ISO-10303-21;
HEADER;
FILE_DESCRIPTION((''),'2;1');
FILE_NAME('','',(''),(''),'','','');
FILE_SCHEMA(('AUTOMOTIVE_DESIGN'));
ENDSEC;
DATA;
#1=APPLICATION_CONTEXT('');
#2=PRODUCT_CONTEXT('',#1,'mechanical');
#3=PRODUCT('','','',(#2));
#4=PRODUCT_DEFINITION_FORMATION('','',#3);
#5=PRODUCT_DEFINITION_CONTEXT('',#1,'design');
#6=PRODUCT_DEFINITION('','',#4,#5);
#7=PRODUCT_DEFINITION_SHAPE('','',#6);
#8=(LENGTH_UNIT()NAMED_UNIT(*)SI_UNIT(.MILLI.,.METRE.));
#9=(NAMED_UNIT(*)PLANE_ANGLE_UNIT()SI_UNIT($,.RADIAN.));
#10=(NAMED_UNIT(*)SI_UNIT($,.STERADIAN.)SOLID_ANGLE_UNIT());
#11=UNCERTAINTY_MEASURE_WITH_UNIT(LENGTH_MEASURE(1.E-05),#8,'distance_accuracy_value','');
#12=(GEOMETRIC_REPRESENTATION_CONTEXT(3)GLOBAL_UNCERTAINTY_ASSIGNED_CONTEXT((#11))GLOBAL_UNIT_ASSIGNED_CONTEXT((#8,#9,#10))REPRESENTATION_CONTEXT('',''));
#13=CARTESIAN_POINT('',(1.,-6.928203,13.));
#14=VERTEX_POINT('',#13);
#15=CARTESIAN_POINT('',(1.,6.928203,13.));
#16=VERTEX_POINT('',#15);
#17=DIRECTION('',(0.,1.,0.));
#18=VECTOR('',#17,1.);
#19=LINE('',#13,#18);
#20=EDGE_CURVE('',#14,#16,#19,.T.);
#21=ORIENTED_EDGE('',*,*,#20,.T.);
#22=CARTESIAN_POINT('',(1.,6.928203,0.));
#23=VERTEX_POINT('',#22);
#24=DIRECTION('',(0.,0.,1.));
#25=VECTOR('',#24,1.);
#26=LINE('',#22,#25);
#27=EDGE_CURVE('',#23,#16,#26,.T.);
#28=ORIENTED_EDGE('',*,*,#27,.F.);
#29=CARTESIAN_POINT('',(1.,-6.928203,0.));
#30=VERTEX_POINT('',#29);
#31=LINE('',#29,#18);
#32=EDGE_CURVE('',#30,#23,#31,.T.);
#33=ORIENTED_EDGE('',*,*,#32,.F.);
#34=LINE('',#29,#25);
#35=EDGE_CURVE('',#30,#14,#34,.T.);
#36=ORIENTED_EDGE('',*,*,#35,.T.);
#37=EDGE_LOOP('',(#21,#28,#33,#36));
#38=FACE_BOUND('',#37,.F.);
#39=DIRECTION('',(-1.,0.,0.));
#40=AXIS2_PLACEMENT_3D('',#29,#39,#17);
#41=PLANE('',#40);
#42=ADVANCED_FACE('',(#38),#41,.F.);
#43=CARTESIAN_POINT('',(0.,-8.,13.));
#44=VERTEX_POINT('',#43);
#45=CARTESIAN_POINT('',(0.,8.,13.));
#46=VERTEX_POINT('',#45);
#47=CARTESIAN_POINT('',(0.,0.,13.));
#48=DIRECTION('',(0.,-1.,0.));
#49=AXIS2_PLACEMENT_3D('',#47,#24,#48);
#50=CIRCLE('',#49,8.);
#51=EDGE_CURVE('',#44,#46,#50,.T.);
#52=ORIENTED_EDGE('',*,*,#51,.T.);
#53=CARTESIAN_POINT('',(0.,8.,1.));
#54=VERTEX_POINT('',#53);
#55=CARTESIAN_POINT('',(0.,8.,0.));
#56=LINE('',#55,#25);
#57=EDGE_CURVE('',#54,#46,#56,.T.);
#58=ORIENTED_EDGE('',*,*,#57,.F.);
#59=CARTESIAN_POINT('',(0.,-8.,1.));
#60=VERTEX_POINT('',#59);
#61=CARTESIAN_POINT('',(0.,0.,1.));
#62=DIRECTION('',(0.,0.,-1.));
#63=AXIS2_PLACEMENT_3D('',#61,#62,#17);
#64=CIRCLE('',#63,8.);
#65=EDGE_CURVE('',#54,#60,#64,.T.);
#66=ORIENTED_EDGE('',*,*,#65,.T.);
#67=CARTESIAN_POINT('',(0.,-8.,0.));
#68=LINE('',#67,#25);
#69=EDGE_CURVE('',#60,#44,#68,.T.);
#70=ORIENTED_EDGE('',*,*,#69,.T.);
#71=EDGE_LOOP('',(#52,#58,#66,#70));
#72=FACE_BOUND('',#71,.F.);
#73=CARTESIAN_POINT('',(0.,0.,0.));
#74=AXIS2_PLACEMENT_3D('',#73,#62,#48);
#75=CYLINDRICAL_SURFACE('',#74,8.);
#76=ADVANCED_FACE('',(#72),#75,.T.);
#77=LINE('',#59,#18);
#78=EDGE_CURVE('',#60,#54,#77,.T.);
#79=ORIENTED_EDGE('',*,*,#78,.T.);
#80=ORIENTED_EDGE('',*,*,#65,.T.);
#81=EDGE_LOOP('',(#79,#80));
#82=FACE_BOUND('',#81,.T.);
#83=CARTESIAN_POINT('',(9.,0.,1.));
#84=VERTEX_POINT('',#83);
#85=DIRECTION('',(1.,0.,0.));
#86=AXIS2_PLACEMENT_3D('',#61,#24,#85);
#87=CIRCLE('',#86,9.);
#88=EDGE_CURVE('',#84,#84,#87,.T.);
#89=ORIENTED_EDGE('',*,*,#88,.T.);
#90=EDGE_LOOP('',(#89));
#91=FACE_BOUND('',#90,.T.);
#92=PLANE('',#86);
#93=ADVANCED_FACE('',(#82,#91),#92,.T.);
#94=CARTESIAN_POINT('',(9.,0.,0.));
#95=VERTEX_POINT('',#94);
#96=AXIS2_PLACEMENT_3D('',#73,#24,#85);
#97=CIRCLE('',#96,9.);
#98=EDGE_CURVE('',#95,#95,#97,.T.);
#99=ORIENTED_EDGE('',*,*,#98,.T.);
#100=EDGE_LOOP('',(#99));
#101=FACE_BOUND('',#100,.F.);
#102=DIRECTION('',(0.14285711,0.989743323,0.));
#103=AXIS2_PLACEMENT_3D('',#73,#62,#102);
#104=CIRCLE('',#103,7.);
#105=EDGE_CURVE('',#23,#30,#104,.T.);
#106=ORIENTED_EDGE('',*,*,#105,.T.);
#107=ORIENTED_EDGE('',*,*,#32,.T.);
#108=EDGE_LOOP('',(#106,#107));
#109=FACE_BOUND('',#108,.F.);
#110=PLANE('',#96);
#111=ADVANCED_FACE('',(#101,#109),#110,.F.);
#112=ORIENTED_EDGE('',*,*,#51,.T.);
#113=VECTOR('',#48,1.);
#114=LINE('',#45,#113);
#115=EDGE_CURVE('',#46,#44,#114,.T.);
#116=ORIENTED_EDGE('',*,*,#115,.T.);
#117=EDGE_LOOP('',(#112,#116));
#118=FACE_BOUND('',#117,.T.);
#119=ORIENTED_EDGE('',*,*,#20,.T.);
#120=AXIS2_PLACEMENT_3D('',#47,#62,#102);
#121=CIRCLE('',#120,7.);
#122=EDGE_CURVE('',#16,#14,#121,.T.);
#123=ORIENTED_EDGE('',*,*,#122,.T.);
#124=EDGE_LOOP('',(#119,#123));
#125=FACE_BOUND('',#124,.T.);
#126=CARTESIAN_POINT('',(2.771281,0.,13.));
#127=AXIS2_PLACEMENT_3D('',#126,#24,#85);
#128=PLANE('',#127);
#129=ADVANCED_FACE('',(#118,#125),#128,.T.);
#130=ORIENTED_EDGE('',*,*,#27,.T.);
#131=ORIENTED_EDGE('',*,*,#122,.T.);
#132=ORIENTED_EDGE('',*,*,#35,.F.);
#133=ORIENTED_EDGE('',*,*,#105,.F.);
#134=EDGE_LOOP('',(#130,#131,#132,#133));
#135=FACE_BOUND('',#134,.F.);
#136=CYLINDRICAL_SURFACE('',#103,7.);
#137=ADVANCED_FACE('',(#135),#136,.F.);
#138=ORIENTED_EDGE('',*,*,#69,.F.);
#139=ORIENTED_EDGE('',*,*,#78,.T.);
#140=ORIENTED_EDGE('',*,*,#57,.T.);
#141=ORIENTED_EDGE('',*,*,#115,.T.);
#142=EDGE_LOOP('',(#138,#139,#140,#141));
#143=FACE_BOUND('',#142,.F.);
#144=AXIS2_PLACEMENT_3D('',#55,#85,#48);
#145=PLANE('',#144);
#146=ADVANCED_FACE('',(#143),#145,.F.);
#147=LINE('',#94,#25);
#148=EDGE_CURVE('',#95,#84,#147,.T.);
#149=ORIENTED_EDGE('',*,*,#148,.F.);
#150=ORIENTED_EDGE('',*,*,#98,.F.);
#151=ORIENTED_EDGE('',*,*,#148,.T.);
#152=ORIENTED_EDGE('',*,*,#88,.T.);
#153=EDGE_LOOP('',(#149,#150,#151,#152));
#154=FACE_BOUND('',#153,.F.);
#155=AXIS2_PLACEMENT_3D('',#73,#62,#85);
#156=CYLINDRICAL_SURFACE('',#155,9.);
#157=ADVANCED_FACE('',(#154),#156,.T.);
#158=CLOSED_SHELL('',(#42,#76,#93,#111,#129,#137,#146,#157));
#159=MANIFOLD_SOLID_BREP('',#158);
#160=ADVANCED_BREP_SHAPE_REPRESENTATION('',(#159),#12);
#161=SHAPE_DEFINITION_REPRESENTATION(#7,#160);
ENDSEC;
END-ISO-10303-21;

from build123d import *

# Parameters (mm, degrees)
F1_DEPTH = 13
F0_R     = 9
F2_DEPTH = 1


with BuildPart() as f1:
    # F0 (on Top) → F1 (new body)
    with BuildSketch(Plane.XY):
        with BuildLine():
            Line((0, 8), (0, -8))
            ThreePointArc((0, -8), (8, 0), (0, 8))
        make_face()
        with BuildLine():
            ThreePointArc((1, 6.928203), (7, 0), (1, -6.928203))
            Line((1, -6.928203), (1, 6.928203))
        make_face(mode=Mode.SUBTRACT)
    extrude(amount=F1_DEPTH)

    # F0 (on Top) → F2 (join)
    with BuildSketch(Plane.XY):
        Circle(F0_R)
        with BuildLine():
            ThreePointArc((0, 8), (8, 0), (0, -8))
            Line((0, -8), (0, 8))
        make_face(mode=Mode.SUBTRACT)
    extrude(amount=F2_DEPTH)


solid = f1.part
